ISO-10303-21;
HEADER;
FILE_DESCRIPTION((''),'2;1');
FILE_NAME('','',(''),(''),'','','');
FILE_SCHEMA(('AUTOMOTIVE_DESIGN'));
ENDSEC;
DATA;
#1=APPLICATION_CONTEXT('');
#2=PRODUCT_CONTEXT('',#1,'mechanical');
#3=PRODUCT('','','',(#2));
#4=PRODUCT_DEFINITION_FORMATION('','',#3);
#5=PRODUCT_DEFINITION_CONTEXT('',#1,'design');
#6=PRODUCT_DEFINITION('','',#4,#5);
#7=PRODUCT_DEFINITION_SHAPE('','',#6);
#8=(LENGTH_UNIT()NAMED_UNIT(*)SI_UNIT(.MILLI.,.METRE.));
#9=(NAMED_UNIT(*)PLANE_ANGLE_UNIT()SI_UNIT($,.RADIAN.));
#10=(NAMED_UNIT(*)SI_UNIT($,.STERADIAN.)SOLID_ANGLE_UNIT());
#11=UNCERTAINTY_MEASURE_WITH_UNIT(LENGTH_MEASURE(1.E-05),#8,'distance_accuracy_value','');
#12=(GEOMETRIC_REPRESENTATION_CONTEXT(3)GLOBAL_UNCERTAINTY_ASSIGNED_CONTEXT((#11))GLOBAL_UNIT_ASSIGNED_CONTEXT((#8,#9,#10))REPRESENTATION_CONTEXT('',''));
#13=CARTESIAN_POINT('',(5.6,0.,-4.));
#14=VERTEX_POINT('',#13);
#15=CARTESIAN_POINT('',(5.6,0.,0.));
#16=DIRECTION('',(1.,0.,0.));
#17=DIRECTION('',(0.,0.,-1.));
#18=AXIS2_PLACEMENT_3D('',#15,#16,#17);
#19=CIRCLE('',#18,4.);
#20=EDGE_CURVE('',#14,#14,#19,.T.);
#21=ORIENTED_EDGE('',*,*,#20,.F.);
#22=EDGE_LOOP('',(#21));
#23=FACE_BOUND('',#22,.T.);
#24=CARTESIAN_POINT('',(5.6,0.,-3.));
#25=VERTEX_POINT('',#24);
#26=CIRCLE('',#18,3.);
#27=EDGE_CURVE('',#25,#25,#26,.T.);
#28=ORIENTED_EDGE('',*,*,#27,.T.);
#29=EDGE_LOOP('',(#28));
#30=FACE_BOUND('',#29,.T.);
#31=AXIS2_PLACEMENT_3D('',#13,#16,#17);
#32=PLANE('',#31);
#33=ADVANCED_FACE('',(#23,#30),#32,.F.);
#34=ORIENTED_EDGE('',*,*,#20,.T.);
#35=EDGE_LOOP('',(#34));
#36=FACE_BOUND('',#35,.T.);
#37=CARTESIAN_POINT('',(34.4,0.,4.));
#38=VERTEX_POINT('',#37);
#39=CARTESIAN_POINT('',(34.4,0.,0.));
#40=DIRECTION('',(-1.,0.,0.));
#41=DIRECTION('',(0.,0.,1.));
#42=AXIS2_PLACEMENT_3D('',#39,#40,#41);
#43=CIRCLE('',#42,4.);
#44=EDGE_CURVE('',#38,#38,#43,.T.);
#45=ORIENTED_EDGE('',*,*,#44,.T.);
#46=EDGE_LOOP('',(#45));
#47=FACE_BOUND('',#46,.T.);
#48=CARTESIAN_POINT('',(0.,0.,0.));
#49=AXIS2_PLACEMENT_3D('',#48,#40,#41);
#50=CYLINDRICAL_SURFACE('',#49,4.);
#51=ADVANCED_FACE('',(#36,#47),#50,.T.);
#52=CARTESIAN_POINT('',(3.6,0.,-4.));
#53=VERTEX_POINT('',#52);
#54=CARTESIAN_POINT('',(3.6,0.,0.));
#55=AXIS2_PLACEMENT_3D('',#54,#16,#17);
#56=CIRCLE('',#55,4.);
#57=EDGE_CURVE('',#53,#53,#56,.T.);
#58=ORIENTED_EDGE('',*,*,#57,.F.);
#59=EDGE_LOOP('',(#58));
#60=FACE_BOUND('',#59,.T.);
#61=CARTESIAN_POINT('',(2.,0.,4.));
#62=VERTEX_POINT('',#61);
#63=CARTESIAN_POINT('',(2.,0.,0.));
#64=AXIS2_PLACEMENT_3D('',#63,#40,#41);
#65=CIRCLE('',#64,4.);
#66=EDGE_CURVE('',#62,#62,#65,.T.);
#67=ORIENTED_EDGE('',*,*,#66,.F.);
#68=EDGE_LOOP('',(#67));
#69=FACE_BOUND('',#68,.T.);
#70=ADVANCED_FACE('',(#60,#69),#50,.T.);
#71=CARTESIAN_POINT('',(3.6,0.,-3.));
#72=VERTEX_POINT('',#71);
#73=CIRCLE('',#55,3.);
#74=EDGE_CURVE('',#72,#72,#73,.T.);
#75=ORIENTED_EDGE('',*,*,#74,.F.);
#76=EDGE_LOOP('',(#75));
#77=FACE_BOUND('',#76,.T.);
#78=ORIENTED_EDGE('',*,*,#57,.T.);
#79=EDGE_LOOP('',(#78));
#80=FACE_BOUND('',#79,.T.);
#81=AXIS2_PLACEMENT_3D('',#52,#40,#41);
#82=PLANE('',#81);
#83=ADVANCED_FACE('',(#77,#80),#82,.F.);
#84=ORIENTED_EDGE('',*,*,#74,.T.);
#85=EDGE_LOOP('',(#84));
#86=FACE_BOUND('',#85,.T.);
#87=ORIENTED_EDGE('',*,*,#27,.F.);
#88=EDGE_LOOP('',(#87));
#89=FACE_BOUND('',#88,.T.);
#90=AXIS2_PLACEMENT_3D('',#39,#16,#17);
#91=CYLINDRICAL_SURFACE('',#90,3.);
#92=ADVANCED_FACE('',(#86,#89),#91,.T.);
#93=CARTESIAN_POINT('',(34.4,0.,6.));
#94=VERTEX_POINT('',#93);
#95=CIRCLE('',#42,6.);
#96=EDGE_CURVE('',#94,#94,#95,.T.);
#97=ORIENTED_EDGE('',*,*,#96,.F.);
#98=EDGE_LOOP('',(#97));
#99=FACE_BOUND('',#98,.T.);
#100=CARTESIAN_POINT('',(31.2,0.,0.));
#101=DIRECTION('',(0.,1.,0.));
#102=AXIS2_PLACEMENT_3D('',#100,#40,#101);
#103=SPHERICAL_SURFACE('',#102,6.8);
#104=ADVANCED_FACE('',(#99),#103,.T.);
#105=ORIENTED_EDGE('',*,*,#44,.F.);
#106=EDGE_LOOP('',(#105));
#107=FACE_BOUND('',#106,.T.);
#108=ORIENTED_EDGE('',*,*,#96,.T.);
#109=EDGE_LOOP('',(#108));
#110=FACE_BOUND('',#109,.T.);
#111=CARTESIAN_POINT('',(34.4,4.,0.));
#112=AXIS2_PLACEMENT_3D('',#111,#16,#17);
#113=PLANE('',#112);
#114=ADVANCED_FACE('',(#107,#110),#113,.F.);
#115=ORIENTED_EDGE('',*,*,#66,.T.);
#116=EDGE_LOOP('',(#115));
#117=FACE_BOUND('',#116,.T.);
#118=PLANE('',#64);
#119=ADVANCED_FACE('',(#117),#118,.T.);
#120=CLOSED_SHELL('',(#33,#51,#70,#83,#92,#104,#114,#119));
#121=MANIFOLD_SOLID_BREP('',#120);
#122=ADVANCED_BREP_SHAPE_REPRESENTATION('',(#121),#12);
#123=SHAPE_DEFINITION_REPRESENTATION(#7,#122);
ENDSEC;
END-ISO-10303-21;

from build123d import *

# Parameters (mm, degrees)
SKETCH2_R               = 1
CUT_EXTRUDE1_DEPTH      = 7
CUT_EXTRUDE1_DEPTH_BACK = 7
SKETCH3_W               = 2
SKETCH3_H               = 1
SKETCH4_R               = 4
CUT_EXTRUDE2_DEPTH      = 2
SKETCH5_R               = 3
BOSS_EXTRUDE1_DEPTH     = 32.4


with BuildPart() as part:
    # Sketch1 → Revolve1 (revolve)
    with BuildSketch(Plane.XY):
        with BuildLine():
            Line((0, 4), (34.4, 4))
            Line((34.4, 4), (34.4, 6))
            ThreePointArc((34.4, 6), (37.030951895, 3.498571137), (38, 0))
            Line((38, 0), (0, 0))
            Line((0, 0), (0, 4))
        make_face()
    revolve(axis=Axis((0, 0, 0), (1, 0, 0)))

    # Sketch2 → Cut-Extrude1 (cut, two sides)
    with BuildSketch(Plane(origin=(0, 0, 0), x_dir=(1, 0, 0), z_dir=(0, 1, 0))) as cut_extrude1_sk:
        with Locations((4.6, 0)):
            Circle(SKETCH2_R)
    extrude(amount=CUT_EXTRUDE1_DEPTH, mode=Mode.SUBTRACT)
    extrude(cut_extrude1_sk.sketch, amount=-CUT_EXTRUDE1_DEPTH_BACK, mode=Mode.SUBTRACT)

    # Sketch3 → Cut-Revolve1 (revolve, cut)
    with BuildSketch(Plane(origin=(0, 0, 0), x_dir=(1, 0, 0), z_dir=(0, 1, 0))):
        with Locations((4.6, 3.5)):
            Rectangle(SKETCH3_W, SKETCH3_H)
    revolve(axis=Axis((34.4, 0, 0), (-1, 0, 0)), mode=Mode.SUBTRACT)

    # Sketch4 → Cut-Extrude2 (cut)
    with BuildSketch(Plane.ZY):
        Circle(SKETCH4_R)
    extrude(amount=-CUT_EXTRUDE2_DEPTH, mode=Mode.SUBTRACT)

    # Sketch5 → Boss-Extrude1 (add)
    with BuildSketch(Plane.ZY.offset(-2)):
        Circle(SKETCH5_R)
    extrude(amount=-BOSS_EXTRUDE1_DEPTH)


solid = part.part
